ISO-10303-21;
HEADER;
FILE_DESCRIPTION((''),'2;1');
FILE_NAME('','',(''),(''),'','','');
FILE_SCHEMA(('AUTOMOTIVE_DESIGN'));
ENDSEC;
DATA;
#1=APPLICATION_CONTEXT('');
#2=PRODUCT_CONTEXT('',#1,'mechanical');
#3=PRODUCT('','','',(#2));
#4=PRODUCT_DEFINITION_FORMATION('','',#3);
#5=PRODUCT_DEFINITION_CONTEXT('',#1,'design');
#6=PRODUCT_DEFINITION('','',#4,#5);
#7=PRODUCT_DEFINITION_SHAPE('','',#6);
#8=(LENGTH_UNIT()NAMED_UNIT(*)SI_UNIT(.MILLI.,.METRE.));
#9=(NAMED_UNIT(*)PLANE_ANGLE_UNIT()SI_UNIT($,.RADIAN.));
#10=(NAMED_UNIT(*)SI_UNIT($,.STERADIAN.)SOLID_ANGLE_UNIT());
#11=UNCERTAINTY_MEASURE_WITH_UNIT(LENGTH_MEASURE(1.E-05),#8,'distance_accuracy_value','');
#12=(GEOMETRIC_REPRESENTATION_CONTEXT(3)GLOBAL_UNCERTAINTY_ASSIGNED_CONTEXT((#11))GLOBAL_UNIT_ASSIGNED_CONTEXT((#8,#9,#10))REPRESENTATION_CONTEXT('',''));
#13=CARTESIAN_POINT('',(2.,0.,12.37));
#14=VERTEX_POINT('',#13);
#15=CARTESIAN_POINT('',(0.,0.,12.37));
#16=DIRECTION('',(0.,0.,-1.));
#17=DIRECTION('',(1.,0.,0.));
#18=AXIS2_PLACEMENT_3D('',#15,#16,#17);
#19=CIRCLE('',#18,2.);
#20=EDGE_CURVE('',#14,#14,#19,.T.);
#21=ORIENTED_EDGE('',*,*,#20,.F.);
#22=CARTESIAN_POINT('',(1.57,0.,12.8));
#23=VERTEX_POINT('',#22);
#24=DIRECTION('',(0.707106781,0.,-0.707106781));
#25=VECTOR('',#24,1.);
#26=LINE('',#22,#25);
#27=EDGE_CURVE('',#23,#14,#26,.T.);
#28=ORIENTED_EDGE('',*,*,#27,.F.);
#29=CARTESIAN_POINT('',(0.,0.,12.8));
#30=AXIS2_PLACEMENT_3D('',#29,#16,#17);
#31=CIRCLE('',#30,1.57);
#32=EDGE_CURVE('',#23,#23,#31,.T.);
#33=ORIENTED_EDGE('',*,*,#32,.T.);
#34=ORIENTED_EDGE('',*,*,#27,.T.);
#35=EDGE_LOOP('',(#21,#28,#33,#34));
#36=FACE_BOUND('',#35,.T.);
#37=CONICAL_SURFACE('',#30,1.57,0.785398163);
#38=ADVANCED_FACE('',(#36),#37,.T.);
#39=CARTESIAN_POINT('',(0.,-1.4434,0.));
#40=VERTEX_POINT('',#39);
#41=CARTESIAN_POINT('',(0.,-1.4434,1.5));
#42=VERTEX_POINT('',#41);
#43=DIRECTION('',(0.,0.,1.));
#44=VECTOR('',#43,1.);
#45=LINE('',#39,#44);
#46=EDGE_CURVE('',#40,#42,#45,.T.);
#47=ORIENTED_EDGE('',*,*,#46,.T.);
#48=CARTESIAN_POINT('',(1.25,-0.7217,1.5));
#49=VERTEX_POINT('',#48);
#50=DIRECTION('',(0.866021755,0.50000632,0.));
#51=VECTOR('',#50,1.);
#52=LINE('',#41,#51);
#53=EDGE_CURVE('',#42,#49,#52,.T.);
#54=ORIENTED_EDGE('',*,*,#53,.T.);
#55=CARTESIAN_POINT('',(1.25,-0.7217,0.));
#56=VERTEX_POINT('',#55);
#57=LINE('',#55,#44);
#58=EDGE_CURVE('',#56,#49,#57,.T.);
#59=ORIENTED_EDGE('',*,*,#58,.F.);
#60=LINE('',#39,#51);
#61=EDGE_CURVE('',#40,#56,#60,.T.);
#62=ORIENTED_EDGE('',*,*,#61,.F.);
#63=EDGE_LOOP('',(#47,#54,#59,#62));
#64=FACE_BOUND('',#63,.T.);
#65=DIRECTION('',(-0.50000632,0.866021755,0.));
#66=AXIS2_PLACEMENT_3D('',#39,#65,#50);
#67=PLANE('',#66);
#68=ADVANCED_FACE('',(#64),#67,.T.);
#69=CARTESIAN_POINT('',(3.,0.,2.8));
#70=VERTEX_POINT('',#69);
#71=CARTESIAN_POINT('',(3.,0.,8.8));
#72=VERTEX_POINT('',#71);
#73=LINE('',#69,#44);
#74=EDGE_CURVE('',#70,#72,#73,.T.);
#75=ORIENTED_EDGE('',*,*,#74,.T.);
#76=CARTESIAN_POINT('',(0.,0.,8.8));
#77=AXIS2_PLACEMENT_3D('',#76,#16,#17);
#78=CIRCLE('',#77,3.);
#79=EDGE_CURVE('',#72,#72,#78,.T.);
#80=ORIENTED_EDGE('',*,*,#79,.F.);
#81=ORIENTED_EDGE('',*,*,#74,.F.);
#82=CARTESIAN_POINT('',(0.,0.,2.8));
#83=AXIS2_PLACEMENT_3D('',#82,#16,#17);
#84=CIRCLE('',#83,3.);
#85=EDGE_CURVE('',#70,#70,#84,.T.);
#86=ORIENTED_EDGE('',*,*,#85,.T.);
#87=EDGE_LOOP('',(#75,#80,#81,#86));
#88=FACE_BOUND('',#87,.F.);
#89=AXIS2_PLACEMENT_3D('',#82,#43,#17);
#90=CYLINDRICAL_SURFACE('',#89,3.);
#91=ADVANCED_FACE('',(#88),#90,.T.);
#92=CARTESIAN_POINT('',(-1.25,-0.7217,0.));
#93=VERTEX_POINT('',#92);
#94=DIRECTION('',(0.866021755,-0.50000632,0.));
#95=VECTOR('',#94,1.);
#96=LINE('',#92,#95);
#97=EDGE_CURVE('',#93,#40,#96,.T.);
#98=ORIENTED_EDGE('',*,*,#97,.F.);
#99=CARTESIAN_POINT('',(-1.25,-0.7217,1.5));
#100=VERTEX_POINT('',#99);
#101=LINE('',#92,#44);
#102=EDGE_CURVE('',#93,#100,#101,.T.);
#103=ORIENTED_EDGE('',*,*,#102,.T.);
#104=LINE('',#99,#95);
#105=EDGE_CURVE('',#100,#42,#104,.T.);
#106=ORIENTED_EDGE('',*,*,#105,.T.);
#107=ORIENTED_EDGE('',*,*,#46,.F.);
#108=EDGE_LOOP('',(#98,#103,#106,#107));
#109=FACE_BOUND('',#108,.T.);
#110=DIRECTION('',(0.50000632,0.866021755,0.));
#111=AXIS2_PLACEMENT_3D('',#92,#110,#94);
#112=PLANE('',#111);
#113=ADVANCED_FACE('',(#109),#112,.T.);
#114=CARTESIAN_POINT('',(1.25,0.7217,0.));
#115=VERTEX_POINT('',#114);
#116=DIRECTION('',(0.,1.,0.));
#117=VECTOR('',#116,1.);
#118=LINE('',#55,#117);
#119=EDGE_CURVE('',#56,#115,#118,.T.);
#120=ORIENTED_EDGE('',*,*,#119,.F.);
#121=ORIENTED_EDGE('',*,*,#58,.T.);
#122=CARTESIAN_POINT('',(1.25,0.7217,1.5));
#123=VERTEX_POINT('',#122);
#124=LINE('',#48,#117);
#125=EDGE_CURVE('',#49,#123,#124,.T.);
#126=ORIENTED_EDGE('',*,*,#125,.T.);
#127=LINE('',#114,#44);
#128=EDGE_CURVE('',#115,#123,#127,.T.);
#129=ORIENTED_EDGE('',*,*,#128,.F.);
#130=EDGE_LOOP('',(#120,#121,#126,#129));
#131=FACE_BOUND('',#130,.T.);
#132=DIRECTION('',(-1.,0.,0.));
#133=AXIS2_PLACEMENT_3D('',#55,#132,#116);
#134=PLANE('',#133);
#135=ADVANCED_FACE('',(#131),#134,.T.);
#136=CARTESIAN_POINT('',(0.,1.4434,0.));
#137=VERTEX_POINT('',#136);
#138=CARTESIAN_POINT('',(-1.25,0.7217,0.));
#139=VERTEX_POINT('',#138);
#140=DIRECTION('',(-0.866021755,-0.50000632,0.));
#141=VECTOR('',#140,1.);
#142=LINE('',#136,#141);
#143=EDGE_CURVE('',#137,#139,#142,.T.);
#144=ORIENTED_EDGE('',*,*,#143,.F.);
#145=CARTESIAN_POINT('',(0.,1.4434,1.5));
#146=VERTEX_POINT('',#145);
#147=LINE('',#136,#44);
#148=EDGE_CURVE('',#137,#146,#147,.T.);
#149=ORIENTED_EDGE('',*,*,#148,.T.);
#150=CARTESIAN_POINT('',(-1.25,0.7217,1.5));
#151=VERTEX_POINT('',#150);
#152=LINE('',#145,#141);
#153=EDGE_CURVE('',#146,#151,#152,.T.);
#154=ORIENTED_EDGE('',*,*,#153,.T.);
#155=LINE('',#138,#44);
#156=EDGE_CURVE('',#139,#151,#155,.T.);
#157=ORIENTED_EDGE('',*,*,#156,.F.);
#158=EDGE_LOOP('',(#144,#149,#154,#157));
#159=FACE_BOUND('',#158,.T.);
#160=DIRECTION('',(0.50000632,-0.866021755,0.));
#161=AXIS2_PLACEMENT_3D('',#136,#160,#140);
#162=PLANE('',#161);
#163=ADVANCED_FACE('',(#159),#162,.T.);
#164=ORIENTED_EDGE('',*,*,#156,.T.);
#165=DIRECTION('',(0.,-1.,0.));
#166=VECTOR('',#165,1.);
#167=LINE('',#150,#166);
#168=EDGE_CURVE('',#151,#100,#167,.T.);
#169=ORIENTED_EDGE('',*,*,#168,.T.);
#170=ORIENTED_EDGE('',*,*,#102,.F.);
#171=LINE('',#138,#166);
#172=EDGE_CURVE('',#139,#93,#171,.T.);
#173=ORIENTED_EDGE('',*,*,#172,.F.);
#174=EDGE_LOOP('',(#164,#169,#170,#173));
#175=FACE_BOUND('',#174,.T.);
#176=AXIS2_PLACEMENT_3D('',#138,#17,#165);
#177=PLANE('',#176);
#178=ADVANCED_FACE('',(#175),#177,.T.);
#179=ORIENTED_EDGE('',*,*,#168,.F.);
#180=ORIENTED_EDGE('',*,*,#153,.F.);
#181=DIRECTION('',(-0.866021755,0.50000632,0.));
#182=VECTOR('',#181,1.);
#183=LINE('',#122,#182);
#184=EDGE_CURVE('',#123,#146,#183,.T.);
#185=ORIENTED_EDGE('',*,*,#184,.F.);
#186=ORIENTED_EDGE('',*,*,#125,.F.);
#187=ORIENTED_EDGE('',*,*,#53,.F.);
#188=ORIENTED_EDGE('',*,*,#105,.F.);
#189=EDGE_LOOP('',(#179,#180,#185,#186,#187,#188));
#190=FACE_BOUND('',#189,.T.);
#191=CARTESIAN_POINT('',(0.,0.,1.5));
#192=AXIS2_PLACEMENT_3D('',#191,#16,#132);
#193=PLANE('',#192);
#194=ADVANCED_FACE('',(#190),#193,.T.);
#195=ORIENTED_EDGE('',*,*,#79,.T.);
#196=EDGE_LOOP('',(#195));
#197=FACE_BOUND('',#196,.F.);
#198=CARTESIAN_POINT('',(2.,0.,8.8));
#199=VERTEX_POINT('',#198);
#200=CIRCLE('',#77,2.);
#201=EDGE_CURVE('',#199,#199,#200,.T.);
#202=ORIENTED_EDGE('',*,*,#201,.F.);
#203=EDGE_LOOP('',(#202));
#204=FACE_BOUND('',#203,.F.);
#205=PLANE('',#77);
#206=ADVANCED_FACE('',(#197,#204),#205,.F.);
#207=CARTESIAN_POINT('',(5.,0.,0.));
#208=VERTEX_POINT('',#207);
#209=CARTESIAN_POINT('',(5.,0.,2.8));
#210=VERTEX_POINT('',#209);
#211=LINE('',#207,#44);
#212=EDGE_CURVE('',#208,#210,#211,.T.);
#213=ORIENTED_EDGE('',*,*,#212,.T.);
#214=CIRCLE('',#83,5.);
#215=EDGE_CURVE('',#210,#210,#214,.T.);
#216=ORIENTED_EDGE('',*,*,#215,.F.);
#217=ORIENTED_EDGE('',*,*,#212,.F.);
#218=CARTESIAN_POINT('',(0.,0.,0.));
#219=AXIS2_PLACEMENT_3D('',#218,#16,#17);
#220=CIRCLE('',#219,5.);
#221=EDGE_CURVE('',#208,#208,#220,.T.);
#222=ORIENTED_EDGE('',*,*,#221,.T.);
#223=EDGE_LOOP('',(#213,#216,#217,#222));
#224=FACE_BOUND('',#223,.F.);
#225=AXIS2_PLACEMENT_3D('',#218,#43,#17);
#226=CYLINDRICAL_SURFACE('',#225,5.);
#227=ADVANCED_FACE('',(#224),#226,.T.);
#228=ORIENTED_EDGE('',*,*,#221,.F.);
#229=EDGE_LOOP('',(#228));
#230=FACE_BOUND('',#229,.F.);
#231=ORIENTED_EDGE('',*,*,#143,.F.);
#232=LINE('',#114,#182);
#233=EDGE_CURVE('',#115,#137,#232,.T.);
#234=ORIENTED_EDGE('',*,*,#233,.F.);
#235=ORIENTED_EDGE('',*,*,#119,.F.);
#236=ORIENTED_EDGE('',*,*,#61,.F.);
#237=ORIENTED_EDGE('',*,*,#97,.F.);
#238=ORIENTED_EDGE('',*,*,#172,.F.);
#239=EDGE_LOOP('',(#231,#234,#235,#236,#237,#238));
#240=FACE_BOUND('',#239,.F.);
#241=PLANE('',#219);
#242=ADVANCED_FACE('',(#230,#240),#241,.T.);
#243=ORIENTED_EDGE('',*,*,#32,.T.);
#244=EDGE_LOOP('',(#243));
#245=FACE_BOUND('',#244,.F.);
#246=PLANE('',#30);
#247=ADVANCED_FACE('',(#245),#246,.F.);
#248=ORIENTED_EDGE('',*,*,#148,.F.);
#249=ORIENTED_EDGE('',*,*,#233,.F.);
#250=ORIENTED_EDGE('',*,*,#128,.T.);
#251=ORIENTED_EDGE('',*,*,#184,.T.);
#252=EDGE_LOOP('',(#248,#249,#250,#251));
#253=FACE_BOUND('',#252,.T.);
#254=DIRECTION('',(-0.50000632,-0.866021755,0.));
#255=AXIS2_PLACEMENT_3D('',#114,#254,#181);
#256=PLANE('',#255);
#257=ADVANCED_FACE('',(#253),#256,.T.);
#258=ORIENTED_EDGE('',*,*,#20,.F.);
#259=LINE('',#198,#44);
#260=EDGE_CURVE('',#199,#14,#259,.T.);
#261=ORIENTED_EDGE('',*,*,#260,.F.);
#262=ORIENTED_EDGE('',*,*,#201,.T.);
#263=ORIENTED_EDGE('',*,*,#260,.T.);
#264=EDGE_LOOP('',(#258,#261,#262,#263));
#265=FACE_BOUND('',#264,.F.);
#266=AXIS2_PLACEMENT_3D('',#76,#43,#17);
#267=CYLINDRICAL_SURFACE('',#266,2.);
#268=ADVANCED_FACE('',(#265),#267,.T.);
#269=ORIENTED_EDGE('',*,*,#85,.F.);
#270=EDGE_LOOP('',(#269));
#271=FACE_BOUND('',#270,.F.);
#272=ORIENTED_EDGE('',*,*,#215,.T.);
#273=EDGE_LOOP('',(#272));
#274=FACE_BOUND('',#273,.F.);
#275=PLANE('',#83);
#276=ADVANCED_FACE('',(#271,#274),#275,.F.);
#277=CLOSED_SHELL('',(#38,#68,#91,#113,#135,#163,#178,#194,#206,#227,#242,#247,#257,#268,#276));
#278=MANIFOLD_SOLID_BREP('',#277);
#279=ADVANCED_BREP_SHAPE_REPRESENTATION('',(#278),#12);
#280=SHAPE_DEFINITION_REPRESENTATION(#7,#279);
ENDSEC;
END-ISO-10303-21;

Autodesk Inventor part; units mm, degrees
ref_plane "YZ Plane" through (0, 0, 0) normal (1, 0, 0) x (0, 1, 0)
ref_plane "XZ Plane" through (0, 0, 0) normal (0, 1, 0) x (-1, 0, 0)
ref_plane "XY Plane" through (0, 0, 0) normal (0, 0, 1) x (1, 0, 0)
sketch "スケッチ1" plane through (0, 0, 0) normal (0, 1, 0) x (-1, 0, 0)
  line L0 (0, 0) -> (-5, 0)
  line L1 (-5, 0) -> (-5, 2.8)
  line L2 (-5, 2.8) -> (-3, 2.8)
  line L3 (-3, 2.8) -> (-3, 8.8)
  line L4 (-3, 8.8) -> (-2, 8.8)
  line L5 (-2, 8.8) -> (-2, 12.37)
  line L6 (-1.57, 12.8) -> (0, 12.8)
  line L7 (0, 12.8) -> (0, 0)
  line L8 (-1.57, 12.8) -> (-2, 12.37)
  point P0 (-2, 12.8)
  dimension "d0" = 4
  dimension "d1" = 6
  dimension "d2" = 2.8
  dimension "d3" = 0.43
  dimension "d4" = 0.43
  dimension "d5" = 4
  dimension "d6" = 10
  dimension "d7" = 6
revolve "回転1" add sketch "スケッチ1" angle 360 about axis through (0, 0, 12.8) along (0, 0, -1)
thread "ねじ1" size "M4x0.7" class "6g" standard "ANSI Metric M Profile" length 7.57 offset 1.2
sketch "スケッチ2" plane through (0, 0, 0) normal (0, 0, -1) x (-1, 0, 0)
  line L0 (0, -1.4434) -> (-1.25, -0.7217)
  line L1 (-1.25, -0.7217) -> (-1.25, 0.7217)
  line L2 (-1.25, 0.7217) -> (0, 1.4434)
  line L3 (0, 1.4434) -> (1.25, 0.7217)
  line L4 (1.25, 0.7217) -> (1.25, -0.7217)
  line L5 (1.25, -0.7217) -> (0, -1.4434)
  point P0 (0, 0)
  point P1 (0, 0)
  dimension "d11" = 2.5
extrude "押し出し1" cut sketch "スケッチ2" against normal blind 1.5
equation "\"d4\" = d3"
properties part number "DBTS4-6-4-DHC" material "ステンレス鋼 AISI 304"
